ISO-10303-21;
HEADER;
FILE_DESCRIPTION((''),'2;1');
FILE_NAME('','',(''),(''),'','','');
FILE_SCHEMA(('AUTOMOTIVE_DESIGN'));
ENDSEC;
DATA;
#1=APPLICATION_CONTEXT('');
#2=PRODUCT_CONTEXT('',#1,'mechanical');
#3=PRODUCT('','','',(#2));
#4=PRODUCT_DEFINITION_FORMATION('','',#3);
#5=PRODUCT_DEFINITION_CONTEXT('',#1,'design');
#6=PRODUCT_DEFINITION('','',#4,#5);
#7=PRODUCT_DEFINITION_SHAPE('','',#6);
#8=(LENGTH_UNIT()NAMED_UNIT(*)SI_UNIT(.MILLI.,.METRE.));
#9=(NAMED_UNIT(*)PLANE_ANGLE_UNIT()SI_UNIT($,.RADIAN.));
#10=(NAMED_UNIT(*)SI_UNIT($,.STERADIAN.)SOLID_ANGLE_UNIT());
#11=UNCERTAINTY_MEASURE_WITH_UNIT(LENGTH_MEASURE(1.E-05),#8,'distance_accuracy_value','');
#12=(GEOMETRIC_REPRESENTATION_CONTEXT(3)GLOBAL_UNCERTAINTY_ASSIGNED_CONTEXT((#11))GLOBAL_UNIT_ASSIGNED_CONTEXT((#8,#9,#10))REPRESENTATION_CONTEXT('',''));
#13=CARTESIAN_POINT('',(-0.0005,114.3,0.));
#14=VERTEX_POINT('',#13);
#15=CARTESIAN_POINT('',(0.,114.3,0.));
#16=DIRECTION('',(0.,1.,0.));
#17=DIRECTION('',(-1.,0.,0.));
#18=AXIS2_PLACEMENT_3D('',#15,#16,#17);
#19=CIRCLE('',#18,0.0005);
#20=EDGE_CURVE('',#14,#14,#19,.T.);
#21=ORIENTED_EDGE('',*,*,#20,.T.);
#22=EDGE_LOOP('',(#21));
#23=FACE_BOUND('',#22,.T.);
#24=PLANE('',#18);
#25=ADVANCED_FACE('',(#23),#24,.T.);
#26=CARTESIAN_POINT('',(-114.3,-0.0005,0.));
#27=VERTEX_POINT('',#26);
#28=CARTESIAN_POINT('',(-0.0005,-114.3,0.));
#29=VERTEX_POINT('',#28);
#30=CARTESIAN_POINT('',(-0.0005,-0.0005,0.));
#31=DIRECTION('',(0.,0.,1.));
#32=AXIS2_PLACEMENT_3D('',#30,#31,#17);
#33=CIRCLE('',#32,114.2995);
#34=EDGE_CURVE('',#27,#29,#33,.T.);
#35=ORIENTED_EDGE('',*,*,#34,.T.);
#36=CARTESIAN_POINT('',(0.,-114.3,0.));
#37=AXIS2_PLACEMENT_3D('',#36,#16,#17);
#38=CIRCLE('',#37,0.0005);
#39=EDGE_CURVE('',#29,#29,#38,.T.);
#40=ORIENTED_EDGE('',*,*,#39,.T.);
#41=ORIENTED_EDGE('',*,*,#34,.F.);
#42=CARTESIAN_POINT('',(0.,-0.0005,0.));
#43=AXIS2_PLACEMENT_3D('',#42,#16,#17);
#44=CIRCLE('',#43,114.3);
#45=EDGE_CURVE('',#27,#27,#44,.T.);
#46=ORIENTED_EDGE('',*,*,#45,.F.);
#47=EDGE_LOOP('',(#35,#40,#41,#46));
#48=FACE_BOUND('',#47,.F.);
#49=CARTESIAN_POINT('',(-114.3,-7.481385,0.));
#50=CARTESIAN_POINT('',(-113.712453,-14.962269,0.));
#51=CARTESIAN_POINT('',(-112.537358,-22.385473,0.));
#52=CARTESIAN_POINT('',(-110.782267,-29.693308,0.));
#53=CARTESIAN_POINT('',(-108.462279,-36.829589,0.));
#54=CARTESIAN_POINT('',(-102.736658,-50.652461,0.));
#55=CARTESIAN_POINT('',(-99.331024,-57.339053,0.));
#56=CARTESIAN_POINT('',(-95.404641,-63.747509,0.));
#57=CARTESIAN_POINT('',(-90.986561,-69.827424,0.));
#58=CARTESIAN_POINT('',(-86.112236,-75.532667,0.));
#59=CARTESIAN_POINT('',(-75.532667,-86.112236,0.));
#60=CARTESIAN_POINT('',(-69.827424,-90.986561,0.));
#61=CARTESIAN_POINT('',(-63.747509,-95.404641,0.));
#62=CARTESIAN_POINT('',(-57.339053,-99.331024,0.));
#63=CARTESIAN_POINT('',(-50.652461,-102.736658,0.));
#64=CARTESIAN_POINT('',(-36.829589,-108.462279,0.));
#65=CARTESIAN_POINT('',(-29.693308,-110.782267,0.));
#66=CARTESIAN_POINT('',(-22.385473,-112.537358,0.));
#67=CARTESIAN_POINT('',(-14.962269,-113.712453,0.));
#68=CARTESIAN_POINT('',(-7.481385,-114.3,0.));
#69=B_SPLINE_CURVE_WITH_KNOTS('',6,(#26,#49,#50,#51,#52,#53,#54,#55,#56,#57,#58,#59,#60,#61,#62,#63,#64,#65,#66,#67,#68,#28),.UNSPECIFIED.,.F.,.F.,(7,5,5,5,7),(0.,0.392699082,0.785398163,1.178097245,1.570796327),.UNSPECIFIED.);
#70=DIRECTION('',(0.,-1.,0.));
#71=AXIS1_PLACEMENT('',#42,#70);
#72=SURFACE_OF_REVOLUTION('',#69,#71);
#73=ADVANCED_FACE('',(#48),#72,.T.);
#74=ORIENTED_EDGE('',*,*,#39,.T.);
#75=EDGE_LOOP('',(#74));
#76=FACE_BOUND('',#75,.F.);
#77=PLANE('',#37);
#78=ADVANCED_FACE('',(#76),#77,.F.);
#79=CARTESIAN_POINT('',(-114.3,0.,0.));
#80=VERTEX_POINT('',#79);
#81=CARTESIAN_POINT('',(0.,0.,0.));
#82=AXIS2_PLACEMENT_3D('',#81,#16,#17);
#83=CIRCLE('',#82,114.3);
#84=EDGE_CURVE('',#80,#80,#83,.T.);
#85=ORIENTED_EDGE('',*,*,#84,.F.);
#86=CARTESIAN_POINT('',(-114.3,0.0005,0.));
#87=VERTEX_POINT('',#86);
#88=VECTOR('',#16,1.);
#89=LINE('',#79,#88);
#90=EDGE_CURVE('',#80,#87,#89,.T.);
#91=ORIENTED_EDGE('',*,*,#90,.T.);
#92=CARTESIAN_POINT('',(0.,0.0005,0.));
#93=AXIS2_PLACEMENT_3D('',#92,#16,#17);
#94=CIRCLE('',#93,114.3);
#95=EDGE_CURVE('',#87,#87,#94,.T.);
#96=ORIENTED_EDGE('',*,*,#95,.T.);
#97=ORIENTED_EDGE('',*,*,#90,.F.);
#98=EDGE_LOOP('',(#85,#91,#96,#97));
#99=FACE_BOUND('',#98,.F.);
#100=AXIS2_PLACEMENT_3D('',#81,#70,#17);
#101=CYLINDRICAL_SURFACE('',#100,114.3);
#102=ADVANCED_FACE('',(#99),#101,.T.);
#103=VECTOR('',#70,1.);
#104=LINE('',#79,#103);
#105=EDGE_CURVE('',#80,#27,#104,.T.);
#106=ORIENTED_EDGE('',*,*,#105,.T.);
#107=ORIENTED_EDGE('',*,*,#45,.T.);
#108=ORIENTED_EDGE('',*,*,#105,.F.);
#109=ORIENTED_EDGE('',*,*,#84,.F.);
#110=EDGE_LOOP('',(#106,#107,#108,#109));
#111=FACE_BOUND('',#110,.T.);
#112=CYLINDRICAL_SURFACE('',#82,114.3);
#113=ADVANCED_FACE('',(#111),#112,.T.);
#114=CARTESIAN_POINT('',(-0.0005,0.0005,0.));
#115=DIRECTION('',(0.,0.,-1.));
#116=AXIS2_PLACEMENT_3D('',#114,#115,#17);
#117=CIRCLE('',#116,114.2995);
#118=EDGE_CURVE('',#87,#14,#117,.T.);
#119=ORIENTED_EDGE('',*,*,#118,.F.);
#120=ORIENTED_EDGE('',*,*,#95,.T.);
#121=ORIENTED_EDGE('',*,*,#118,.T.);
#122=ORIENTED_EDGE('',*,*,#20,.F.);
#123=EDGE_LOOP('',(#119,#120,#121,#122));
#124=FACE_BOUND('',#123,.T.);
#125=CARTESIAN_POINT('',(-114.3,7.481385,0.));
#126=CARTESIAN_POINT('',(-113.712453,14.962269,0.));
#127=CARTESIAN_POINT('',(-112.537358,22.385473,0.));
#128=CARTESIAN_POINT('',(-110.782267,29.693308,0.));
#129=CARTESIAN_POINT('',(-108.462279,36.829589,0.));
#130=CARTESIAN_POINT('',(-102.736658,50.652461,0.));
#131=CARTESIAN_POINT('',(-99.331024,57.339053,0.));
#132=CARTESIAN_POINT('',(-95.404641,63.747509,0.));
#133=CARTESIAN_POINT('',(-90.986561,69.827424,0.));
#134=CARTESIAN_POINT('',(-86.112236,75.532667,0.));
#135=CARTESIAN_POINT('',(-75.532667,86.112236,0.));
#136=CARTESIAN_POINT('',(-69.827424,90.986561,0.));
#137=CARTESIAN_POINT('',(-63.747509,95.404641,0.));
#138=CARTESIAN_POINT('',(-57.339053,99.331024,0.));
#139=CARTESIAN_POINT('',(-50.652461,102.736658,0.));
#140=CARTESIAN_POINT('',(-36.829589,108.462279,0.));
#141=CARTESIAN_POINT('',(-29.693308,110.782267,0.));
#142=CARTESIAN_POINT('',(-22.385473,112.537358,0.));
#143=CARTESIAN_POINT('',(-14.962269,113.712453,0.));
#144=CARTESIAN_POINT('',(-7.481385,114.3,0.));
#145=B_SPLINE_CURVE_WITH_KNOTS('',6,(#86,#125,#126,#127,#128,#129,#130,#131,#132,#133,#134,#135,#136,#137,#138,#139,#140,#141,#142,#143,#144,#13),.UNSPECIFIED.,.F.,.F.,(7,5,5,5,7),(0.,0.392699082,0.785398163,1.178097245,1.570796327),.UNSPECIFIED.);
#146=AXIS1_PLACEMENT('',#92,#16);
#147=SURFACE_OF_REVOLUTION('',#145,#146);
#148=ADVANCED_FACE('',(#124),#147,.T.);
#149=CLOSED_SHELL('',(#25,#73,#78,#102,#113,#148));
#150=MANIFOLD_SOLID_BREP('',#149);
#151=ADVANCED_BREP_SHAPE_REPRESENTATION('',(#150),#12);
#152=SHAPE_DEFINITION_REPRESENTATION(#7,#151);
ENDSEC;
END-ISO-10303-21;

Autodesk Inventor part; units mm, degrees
ref_plane "YZ Plane" through (0, 0, 0) normal (1, 0, 0) x (0, 1, 0)
ref_plane "XZ Plane" through (0, 0, 0) normal (0, 1, 0) x (-1, 0, 0)
ref_plane "XY Plane" through (0, 0, 0) normal (0, 0, 1) x (1, 0, 0)
sketch "Sketch1" plane through (0, 0, 0) normal (0, 1, 0) x (-1, 0, 0)
  circle A0 centre (0, 0) radius 114.3
  dimension "d0" = 228.6
extrude "Extrusion1" add sketch "Sketch1" along normal mid plane 228.6
fillet "Fillet1" radius 114.3 1 edges at (114.3, 114.3, 0)
fillet "Fillet2" radius 114.3 1 edges at (114.3, -114.3, 0)
properties part number "Ball" material "GFRC"
